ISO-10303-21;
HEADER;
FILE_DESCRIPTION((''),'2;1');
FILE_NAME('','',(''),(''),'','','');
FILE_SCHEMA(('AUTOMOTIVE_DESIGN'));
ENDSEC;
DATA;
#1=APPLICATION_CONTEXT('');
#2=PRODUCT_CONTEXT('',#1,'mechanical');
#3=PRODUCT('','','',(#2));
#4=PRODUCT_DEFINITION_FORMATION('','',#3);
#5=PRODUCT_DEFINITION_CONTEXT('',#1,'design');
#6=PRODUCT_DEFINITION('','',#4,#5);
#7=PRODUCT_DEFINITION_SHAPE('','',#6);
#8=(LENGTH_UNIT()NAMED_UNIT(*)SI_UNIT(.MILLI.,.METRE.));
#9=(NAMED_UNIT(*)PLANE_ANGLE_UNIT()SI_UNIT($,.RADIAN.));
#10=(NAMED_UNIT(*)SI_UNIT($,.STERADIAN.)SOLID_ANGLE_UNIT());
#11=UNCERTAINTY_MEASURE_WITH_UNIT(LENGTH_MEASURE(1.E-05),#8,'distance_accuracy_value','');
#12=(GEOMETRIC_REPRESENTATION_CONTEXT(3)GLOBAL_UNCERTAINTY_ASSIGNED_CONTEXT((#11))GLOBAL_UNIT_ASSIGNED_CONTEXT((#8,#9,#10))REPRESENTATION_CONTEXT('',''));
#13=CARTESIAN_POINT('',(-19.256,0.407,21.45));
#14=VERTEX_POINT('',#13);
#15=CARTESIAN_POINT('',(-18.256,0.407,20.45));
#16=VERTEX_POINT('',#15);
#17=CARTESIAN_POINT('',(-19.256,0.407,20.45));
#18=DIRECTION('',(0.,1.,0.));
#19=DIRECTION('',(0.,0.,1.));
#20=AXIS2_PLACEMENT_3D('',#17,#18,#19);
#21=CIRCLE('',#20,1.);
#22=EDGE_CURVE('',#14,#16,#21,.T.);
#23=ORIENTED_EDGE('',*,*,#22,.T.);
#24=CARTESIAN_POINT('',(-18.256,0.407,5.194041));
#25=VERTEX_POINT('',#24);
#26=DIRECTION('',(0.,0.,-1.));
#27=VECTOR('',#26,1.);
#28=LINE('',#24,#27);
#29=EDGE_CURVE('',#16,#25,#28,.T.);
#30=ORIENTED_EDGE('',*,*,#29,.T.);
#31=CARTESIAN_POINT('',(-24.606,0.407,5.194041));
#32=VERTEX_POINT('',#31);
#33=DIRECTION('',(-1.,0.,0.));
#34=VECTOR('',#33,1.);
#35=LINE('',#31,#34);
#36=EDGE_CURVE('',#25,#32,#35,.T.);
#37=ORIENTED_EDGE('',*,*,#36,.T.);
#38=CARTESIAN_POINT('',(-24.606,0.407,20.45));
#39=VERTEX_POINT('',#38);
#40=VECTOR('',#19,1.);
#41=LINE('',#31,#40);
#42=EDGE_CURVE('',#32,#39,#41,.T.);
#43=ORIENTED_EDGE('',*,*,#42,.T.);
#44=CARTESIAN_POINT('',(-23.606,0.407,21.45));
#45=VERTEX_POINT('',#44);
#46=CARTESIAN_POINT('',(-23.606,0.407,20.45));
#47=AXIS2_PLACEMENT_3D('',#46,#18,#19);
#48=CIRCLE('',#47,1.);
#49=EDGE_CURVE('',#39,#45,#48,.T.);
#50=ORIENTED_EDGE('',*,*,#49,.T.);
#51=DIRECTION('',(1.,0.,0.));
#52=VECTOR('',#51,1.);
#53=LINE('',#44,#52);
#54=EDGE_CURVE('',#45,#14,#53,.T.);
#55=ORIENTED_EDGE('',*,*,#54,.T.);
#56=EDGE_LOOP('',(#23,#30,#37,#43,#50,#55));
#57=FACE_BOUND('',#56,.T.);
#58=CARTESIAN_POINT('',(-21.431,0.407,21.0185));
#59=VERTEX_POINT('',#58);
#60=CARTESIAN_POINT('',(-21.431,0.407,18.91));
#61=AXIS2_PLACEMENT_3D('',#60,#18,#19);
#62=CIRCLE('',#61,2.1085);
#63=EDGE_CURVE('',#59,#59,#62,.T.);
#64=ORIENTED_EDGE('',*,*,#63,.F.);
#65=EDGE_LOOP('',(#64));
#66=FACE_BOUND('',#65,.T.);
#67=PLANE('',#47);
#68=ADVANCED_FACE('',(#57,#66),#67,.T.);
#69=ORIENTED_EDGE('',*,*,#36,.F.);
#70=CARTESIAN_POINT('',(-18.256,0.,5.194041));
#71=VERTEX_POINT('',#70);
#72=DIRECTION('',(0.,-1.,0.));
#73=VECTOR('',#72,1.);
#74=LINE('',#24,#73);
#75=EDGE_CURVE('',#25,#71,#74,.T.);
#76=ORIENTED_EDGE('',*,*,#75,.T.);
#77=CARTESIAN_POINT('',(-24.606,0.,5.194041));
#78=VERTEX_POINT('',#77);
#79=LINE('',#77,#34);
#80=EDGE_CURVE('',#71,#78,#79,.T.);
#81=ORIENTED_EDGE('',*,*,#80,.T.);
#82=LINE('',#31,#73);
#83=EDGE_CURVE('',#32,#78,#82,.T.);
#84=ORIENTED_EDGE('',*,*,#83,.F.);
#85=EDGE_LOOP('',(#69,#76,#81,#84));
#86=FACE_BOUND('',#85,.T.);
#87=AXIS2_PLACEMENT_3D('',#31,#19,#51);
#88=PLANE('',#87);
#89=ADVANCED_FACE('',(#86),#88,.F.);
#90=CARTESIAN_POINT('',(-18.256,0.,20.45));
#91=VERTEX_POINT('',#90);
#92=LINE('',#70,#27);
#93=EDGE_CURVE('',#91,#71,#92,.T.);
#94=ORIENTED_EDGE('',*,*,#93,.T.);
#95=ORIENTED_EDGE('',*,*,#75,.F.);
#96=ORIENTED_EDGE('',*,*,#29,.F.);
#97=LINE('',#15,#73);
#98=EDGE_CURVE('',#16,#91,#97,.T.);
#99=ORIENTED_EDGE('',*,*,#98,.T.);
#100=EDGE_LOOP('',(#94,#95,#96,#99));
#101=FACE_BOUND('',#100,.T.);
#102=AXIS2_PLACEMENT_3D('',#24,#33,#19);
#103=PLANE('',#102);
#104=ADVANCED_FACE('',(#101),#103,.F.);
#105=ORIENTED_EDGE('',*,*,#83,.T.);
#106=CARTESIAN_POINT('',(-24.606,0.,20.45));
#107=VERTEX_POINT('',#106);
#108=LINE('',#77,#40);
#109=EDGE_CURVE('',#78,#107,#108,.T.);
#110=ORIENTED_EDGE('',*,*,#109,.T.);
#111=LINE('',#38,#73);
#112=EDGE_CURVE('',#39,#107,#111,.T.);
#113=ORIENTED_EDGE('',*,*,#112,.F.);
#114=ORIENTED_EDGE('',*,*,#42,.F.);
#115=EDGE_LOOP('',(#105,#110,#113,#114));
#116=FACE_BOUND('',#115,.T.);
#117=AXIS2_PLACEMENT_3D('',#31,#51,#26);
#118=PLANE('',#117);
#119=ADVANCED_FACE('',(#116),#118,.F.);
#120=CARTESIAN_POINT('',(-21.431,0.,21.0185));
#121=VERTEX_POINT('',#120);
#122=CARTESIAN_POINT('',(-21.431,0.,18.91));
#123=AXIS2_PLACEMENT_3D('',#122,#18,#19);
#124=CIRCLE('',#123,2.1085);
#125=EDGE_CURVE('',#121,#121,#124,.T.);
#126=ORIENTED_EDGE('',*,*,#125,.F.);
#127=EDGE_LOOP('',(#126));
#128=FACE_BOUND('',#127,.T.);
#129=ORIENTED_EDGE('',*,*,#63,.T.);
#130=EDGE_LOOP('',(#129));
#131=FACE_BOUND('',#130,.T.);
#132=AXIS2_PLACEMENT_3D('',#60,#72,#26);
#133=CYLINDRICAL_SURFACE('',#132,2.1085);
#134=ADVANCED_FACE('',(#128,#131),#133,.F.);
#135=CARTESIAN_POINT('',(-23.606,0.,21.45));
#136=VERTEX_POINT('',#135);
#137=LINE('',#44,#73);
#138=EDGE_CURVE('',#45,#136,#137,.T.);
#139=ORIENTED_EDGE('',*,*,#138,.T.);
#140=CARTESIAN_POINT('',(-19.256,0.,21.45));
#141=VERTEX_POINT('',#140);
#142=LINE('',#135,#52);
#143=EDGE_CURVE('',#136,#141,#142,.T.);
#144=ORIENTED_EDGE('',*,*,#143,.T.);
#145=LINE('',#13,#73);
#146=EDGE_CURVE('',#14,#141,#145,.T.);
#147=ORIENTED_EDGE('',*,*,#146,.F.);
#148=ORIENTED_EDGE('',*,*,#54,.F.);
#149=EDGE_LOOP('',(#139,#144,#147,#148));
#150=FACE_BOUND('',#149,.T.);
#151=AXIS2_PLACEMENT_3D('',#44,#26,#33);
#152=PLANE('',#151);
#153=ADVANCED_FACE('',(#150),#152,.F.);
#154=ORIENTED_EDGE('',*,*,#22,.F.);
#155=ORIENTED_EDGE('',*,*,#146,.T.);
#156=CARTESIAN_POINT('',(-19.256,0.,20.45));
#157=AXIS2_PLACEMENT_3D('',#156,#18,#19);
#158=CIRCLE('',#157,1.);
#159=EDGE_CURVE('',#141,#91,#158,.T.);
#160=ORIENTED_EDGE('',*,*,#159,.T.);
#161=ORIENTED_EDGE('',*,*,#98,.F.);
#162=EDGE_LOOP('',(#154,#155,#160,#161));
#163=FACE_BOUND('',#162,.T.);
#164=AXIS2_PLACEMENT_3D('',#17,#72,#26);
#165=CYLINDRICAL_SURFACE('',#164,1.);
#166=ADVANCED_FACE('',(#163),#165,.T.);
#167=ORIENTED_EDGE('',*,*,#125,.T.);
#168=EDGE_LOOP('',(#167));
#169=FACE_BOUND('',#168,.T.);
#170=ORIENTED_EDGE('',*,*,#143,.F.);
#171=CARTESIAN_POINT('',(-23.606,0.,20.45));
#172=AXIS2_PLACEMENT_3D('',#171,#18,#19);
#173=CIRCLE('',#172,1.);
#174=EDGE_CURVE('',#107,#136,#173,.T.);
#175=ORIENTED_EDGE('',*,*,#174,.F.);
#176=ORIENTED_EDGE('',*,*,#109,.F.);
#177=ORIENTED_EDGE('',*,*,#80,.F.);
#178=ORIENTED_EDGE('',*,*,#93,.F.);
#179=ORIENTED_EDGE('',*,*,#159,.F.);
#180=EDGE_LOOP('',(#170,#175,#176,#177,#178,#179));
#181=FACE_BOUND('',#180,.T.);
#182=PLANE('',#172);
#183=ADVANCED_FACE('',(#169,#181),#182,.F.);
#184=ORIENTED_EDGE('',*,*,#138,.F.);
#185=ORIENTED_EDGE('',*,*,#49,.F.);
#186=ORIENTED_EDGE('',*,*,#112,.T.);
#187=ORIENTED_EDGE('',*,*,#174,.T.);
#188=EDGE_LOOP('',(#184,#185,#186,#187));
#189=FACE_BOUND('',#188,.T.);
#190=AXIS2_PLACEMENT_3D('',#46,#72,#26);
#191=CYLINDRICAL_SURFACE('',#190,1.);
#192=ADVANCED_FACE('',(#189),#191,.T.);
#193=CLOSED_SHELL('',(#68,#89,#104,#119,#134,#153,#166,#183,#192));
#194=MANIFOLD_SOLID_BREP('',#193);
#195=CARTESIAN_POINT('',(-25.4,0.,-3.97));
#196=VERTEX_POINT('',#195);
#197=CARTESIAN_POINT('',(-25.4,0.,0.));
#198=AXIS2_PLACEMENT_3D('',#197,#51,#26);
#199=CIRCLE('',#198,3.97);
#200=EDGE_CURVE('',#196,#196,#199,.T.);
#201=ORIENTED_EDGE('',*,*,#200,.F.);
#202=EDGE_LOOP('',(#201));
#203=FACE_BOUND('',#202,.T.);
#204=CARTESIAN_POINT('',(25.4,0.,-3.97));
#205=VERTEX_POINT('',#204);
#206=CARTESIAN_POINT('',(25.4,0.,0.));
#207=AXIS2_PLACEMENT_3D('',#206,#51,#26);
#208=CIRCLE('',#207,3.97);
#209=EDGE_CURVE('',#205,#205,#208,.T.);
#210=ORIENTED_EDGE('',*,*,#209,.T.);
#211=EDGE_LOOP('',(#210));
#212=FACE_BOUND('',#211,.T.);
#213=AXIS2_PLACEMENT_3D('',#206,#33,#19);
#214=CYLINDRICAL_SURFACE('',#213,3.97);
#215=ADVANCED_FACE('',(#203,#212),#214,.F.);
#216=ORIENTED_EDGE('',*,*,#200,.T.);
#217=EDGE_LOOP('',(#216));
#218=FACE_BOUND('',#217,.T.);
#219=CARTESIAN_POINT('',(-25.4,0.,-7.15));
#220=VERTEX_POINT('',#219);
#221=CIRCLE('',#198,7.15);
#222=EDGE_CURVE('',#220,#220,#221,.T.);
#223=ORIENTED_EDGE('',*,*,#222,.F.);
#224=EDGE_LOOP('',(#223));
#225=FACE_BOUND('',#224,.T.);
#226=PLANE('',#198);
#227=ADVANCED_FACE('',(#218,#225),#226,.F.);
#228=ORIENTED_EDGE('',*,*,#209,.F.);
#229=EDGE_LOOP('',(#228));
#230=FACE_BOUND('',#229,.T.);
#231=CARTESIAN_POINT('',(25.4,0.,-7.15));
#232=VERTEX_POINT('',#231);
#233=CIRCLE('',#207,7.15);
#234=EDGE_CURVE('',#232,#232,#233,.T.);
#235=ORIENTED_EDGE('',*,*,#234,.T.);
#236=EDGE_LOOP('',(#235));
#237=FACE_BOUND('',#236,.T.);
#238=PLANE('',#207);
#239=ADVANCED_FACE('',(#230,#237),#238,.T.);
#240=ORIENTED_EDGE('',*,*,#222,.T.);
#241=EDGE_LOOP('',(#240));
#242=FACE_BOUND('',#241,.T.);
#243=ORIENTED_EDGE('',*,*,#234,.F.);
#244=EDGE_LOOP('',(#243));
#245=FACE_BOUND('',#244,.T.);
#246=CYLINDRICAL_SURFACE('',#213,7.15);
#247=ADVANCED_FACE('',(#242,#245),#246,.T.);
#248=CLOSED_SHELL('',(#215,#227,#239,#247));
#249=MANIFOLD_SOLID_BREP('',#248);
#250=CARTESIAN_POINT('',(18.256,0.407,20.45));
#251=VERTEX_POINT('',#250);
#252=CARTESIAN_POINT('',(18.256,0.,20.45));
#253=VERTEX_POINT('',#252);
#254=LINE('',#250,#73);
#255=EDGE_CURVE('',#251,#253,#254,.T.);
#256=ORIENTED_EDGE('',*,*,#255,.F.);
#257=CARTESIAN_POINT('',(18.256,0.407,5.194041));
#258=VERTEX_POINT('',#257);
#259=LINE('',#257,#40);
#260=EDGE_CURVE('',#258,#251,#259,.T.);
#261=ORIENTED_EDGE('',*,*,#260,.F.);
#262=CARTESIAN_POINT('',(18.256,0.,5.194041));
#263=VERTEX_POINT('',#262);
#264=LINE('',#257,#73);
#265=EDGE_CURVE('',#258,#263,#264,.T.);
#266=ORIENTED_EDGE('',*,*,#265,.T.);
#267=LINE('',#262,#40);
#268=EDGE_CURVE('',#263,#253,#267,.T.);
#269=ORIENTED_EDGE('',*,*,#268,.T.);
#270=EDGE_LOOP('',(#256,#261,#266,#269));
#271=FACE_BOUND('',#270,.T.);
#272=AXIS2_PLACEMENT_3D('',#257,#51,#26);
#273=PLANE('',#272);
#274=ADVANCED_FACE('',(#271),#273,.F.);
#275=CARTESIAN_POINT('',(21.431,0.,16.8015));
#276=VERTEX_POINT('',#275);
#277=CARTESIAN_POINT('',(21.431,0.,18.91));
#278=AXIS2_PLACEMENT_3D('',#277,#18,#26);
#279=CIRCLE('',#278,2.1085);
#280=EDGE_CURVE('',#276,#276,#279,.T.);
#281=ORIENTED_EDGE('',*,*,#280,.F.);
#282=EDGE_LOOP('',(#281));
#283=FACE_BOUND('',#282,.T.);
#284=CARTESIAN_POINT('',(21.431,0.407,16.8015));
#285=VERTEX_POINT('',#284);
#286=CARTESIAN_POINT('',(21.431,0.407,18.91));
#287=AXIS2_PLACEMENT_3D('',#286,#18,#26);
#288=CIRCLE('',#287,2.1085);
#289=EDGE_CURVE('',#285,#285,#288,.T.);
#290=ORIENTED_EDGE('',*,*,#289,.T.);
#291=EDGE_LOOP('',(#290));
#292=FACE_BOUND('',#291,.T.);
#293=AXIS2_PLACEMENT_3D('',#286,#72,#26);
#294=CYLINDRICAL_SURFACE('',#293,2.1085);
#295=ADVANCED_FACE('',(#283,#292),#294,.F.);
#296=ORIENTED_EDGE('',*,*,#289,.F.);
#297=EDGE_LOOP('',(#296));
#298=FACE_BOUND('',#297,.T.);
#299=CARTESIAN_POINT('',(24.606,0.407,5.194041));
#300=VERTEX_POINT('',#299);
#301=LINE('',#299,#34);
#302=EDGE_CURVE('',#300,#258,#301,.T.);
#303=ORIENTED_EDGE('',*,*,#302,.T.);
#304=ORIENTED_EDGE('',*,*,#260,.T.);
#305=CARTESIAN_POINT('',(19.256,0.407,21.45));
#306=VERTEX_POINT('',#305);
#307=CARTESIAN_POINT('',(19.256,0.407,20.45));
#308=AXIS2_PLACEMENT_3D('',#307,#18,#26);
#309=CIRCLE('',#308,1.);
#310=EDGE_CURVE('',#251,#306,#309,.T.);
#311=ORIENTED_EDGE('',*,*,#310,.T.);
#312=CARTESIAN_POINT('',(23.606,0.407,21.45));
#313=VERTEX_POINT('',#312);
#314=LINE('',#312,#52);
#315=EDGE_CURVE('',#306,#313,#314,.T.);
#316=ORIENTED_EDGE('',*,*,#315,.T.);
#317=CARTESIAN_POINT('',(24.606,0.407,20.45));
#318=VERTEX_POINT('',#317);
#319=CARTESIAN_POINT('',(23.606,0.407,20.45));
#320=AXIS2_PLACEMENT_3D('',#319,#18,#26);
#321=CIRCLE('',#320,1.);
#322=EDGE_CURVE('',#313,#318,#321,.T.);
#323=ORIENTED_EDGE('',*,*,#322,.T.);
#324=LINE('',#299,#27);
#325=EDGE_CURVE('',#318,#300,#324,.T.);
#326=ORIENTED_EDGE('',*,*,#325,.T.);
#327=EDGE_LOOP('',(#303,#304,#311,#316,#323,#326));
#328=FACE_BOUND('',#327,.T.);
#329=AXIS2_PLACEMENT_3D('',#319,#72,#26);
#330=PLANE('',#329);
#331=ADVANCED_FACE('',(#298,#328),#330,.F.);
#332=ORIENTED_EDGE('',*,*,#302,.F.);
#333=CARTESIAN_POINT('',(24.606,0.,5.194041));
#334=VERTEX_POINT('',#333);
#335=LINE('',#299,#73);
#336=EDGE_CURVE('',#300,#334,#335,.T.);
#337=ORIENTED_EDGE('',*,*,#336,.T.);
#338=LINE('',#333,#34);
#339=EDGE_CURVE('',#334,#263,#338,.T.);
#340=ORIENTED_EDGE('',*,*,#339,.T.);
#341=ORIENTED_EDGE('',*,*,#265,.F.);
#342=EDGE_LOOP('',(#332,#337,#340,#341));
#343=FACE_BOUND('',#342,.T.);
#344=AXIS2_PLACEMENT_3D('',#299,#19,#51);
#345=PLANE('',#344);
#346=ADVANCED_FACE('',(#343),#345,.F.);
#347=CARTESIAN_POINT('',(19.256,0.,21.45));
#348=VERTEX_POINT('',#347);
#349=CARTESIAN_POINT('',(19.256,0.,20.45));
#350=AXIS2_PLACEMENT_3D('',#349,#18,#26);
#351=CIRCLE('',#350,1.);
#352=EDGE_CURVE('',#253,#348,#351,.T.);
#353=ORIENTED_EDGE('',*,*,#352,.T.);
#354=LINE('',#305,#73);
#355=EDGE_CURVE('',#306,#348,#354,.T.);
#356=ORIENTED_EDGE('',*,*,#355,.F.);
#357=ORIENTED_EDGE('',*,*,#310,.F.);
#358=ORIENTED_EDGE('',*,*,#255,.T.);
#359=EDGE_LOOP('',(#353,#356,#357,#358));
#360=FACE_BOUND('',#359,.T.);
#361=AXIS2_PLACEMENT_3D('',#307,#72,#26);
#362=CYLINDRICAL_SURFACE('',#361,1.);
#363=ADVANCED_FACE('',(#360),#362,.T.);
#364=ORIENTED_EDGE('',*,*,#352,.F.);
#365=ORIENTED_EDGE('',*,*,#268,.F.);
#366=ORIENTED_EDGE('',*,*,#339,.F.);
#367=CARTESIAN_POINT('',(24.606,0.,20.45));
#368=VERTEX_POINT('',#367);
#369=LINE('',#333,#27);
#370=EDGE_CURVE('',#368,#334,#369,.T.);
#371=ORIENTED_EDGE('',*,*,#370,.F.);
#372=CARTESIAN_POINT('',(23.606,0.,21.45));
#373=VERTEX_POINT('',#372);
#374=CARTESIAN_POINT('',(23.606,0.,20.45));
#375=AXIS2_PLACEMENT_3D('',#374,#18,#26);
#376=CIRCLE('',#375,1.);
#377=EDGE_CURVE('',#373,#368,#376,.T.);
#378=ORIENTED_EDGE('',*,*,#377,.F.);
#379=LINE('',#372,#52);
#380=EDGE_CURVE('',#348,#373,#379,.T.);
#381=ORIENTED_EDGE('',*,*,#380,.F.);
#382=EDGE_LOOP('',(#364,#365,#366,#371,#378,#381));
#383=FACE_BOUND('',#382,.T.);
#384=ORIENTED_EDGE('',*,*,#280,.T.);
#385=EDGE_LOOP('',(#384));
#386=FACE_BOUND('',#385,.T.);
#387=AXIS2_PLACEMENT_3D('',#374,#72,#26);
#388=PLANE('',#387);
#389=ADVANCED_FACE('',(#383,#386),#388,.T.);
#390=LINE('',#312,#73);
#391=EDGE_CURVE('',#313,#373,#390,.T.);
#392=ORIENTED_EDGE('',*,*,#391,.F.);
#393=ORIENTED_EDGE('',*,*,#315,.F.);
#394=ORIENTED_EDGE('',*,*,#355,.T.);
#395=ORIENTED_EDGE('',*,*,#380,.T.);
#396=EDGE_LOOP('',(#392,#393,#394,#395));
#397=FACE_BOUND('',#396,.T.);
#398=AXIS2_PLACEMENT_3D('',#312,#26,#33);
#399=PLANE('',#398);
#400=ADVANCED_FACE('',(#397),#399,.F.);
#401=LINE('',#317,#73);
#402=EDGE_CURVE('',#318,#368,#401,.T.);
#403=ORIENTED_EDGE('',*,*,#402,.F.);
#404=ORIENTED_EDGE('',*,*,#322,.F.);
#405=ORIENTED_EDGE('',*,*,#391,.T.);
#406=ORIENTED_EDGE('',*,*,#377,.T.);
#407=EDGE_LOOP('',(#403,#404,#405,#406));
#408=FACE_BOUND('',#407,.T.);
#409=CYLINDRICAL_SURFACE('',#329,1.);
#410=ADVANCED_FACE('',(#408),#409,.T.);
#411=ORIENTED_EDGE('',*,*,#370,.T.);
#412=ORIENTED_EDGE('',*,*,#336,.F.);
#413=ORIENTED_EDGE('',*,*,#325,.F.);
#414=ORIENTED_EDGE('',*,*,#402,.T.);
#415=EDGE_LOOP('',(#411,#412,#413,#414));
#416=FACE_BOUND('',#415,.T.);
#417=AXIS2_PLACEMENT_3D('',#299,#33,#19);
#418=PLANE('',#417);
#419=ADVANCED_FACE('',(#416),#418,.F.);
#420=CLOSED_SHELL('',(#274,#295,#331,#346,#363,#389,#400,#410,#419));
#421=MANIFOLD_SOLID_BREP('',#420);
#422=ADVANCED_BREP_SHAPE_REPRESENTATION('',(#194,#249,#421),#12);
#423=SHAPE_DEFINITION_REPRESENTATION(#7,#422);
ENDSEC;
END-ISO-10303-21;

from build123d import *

# Parameters (mm, degrees)
SKETCH1_R             = 7.15
SKETCH1_R_2           = 3.97
BOSS_EXTRUDE1_DEPTH   = 25.4
SKETCH2_R             = 2.1085
BOSS_EXTRUDE2_DEPTH   = 0.407
BOSS_EXTRUDE2_2_DEPTH = 0.407


with BuildPart() as part:
    # Sketch1 → Boss-Extrude1 (new, symmetric)
    with BuildSketch(Plane(origin=(0, 0, 0), x_dir=(0, 0, -1), z_dir=(1, 0, 0))):
        Circle(SKETCH1_R)
        Circle(SKETCH1_R_2, mode=Mode.SUBTRACT)
    extrude(amount=BOSS_EXTRUDE1_DEPTH, both=True)


with BuildPart() as body_2:
    # Sketch2 → Boss-Extrude2 (new body)
    with BuildSketch(Plane(origin=(0, 0, 0), x_dir=(1, 0, 0), z_dir=(0, 1, 0))):
        with BuildLine():
            Line((-24.606, -5.19404127), (-18.256, -5.19404127))
            Line((-18.256, -5.19404127), (-18.256, -20.45))
            ThreePointArc((-18.256, -20.45), (-18.548893219, -21.157106781), (-19.256, -21.45))
            Line((-19.256, -21.45), (-23.606, -21.45))
            ThreePointArc((-23.606, -21.45), (-24.313106781, -21.157106781), (-24.606, -20.45))
            Line((-24.606, -20.45), (-24.606, -5.19404127))
        make_face()
        with Locations(Location((-21.431, -18.91, 0), (0, 0, 270))):
            Circle(SKETCH2_R, mode=Mode.SUBTRACT)
    extrude(amount=BOSS_EXTRUDE2_DEPTH)


with BuildPart() as body_3:
    # Sketch2 → Boss-Extrude2 2 (new body)
    with BuildSketch(Plane(origin=(0, 0, 0), x_dir=(1, 0, 0), z_dir=(0, 1, 0))):
        with BuildLine():
            Line((18.256, -5.19404127), (18.256, -20.45))
            ThreePointArc((18.256, -20.45), (18.548893219, -21.157106781), (19.256, -21.45))
            Line((19.256, -21.45), (23.606, -21.45))
            ThreePointArc((23.606, -21.45), (24.313106781, -21.157106781), (24.606, -20.45))
            Line((24.606, -20.45), (24.606, -5.19404127))
            Line((24.606, -5.19404127), (18.256, -5.19404127))
        make_face()
        with Locations(Location((21.431, -18.91, 0), (0, 0, 90))):
            Circle(SKETCH2_R, mode=Mode.SUBTRACT)
    extrude(amount=BOSS_EXTRUDE2_2_DEPTH)


solid = Compound([part.part, body_2.part, body_3.part])
